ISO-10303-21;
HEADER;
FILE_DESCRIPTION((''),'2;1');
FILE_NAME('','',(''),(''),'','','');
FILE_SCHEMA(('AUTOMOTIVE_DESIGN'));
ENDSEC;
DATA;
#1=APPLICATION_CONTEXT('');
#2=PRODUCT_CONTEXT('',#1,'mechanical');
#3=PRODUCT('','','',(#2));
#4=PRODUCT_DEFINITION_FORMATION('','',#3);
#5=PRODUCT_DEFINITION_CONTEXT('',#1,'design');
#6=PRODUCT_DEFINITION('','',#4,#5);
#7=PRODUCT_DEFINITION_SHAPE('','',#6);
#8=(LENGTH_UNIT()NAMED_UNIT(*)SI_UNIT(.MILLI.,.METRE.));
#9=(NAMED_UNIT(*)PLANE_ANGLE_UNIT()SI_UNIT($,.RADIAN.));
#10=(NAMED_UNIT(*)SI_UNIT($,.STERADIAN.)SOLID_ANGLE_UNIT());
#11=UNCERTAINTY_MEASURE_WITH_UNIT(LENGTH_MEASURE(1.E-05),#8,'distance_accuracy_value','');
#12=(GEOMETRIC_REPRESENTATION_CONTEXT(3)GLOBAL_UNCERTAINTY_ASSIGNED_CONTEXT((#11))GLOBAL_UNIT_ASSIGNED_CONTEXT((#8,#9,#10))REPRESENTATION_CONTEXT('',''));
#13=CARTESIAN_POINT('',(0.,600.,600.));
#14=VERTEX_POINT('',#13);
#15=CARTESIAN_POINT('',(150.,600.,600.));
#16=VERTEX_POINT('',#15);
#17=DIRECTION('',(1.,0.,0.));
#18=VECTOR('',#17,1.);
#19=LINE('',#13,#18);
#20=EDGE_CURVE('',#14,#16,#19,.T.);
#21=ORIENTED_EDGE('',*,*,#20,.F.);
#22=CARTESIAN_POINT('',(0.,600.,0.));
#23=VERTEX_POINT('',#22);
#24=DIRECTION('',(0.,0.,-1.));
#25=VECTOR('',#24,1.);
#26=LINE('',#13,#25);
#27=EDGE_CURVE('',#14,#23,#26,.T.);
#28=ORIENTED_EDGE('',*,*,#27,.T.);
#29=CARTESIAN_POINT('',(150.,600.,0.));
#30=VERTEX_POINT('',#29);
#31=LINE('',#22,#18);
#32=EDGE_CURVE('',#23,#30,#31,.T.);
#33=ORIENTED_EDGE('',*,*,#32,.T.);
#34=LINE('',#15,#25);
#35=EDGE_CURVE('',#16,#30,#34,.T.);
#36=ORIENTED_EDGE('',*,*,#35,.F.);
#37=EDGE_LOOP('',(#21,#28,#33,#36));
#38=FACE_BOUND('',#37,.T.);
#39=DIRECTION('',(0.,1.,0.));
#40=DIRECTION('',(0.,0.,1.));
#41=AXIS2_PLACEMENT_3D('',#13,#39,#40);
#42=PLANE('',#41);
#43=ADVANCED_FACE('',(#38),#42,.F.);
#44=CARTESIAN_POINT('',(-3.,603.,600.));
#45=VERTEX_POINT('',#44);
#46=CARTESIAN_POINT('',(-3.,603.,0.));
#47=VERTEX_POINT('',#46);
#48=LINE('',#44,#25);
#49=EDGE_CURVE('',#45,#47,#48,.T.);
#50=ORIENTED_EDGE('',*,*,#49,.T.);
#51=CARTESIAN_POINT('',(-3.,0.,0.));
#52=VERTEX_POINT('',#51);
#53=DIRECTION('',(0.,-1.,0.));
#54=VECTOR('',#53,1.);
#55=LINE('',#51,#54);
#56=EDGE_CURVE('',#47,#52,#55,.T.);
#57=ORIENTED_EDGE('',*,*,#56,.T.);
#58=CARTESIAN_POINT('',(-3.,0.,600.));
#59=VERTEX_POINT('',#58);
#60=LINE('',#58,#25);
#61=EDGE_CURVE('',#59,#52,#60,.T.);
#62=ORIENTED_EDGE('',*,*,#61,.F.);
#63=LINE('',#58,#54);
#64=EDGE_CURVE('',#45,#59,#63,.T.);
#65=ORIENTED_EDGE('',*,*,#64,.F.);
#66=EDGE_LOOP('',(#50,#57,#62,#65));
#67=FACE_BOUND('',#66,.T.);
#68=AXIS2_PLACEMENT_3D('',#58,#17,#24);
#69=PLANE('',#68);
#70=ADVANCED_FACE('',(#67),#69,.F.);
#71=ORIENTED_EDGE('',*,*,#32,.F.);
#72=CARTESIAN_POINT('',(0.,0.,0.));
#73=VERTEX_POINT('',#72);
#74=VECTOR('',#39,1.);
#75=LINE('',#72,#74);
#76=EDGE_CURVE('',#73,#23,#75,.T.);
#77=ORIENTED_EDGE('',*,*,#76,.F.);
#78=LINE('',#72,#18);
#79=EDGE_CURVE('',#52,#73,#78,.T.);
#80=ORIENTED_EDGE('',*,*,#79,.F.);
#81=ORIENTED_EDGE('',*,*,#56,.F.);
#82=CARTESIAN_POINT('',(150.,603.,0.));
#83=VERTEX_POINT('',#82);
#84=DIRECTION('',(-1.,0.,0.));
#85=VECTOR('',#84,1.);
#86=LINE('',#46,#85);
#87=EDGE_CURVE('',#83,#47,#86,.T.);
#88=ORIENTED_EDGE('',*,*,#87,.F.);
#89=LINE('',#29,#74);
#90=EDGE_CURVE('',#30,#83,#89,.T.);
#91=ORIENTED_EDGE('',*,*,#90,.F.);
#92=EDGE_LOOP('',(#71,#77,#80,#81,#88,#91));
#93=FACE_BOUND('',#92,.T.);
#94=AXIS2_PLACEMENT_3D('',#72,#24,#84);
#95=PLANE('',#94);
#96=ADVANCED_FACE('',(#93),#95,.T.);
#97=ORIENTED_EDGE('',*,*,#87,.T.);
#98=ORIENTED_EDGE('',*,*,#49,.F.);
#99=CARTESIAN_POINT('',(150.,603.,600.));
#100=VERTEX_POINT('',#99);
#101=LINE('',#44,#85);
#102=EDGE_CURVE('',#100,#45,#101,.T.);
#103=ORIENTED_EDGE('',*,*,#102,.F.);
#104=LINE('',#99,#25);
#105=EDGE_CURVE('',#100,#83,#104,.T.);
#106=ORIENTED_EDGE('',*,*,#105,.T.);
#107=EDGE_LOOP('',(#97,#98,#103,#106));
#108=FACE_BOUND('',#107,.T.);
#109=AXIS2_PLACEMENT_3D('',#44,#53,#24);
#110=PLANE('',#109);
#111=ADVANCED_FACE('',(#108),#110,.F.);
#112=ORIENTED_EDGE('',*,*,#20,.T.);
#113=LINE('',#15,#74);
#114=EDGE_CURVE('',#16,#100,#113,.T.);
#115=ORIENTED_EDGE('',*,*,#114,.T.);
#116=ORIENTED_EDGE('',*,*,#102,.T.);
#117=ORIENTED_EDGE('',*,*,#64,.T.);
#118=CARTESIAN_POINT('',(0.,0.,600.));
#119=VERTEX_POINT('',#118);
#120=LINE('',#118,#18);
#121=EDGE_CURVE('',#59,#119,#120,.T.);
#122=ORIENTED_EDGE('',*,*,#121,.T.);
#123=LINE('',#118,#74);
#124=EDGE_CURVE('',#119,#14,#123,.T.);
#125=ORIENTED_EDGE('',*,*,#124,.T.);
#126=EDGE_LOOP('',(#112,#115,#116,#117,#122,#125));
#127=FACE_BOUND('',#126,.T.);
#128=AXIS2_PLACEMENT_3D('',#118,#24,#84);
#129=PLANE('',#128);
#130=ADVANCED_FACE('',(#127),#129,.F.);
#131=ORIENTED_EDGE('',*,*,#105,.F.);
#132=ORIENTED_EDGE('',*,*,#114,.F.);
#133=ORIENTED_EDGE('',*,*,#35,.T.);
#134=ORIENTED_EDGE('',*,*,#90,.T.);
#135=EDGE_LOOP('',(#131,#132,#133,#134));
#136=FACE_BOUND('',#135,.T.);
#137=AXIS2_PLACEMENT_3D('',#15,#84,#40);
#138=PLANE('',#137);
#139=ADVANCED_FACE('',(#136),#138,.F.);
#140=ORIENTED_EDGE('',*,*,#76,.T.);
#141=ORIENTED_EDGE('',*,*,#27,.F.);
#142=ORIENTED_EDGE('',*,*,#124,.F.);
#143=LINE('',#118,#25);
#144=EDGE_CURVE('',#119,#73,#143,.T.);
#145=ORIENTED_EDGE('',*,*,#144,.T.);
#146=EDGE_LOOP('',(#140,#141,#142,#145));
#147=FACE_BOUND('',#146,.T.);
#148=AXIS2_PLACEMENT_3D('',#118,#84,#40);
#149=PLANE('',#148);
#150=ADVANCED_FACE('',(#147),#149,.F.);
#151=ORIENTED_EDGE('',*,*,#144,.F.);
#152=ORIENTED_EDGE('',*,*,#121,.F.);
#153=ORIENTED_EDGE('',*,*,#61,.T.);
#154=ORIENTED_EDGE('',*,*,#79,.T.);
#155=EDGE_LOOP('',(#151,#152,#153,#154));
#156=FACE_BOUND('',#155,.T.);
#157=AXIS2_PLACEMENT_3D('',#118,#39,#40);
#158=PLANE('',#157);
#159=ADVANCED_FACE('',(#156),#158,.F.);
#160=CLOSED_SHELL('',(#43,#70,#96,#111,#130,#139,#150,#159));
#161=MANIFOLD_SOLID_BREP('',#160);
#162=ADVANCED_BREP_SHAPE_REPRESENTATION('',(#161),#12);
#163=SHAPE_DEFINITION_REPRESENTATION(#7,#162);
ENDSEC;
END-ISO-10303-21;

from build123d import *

# Parameters (mm, degrees)
SALIENTE_EXTRUIR1_DEPTH = 600


with BuildPart() as part:
    # Croquis1 → Saliente-Extruir1 (new body)
    with BuildSketch(Plane.XY):
        Polygon((0, 0), (0, 600), (150, 600), (150, 603), (-3, 603), (-3, 0), align=None)
    extrude(amount=SALIENTE_EXTRUIR1_DEPTH)


solid = part.part
